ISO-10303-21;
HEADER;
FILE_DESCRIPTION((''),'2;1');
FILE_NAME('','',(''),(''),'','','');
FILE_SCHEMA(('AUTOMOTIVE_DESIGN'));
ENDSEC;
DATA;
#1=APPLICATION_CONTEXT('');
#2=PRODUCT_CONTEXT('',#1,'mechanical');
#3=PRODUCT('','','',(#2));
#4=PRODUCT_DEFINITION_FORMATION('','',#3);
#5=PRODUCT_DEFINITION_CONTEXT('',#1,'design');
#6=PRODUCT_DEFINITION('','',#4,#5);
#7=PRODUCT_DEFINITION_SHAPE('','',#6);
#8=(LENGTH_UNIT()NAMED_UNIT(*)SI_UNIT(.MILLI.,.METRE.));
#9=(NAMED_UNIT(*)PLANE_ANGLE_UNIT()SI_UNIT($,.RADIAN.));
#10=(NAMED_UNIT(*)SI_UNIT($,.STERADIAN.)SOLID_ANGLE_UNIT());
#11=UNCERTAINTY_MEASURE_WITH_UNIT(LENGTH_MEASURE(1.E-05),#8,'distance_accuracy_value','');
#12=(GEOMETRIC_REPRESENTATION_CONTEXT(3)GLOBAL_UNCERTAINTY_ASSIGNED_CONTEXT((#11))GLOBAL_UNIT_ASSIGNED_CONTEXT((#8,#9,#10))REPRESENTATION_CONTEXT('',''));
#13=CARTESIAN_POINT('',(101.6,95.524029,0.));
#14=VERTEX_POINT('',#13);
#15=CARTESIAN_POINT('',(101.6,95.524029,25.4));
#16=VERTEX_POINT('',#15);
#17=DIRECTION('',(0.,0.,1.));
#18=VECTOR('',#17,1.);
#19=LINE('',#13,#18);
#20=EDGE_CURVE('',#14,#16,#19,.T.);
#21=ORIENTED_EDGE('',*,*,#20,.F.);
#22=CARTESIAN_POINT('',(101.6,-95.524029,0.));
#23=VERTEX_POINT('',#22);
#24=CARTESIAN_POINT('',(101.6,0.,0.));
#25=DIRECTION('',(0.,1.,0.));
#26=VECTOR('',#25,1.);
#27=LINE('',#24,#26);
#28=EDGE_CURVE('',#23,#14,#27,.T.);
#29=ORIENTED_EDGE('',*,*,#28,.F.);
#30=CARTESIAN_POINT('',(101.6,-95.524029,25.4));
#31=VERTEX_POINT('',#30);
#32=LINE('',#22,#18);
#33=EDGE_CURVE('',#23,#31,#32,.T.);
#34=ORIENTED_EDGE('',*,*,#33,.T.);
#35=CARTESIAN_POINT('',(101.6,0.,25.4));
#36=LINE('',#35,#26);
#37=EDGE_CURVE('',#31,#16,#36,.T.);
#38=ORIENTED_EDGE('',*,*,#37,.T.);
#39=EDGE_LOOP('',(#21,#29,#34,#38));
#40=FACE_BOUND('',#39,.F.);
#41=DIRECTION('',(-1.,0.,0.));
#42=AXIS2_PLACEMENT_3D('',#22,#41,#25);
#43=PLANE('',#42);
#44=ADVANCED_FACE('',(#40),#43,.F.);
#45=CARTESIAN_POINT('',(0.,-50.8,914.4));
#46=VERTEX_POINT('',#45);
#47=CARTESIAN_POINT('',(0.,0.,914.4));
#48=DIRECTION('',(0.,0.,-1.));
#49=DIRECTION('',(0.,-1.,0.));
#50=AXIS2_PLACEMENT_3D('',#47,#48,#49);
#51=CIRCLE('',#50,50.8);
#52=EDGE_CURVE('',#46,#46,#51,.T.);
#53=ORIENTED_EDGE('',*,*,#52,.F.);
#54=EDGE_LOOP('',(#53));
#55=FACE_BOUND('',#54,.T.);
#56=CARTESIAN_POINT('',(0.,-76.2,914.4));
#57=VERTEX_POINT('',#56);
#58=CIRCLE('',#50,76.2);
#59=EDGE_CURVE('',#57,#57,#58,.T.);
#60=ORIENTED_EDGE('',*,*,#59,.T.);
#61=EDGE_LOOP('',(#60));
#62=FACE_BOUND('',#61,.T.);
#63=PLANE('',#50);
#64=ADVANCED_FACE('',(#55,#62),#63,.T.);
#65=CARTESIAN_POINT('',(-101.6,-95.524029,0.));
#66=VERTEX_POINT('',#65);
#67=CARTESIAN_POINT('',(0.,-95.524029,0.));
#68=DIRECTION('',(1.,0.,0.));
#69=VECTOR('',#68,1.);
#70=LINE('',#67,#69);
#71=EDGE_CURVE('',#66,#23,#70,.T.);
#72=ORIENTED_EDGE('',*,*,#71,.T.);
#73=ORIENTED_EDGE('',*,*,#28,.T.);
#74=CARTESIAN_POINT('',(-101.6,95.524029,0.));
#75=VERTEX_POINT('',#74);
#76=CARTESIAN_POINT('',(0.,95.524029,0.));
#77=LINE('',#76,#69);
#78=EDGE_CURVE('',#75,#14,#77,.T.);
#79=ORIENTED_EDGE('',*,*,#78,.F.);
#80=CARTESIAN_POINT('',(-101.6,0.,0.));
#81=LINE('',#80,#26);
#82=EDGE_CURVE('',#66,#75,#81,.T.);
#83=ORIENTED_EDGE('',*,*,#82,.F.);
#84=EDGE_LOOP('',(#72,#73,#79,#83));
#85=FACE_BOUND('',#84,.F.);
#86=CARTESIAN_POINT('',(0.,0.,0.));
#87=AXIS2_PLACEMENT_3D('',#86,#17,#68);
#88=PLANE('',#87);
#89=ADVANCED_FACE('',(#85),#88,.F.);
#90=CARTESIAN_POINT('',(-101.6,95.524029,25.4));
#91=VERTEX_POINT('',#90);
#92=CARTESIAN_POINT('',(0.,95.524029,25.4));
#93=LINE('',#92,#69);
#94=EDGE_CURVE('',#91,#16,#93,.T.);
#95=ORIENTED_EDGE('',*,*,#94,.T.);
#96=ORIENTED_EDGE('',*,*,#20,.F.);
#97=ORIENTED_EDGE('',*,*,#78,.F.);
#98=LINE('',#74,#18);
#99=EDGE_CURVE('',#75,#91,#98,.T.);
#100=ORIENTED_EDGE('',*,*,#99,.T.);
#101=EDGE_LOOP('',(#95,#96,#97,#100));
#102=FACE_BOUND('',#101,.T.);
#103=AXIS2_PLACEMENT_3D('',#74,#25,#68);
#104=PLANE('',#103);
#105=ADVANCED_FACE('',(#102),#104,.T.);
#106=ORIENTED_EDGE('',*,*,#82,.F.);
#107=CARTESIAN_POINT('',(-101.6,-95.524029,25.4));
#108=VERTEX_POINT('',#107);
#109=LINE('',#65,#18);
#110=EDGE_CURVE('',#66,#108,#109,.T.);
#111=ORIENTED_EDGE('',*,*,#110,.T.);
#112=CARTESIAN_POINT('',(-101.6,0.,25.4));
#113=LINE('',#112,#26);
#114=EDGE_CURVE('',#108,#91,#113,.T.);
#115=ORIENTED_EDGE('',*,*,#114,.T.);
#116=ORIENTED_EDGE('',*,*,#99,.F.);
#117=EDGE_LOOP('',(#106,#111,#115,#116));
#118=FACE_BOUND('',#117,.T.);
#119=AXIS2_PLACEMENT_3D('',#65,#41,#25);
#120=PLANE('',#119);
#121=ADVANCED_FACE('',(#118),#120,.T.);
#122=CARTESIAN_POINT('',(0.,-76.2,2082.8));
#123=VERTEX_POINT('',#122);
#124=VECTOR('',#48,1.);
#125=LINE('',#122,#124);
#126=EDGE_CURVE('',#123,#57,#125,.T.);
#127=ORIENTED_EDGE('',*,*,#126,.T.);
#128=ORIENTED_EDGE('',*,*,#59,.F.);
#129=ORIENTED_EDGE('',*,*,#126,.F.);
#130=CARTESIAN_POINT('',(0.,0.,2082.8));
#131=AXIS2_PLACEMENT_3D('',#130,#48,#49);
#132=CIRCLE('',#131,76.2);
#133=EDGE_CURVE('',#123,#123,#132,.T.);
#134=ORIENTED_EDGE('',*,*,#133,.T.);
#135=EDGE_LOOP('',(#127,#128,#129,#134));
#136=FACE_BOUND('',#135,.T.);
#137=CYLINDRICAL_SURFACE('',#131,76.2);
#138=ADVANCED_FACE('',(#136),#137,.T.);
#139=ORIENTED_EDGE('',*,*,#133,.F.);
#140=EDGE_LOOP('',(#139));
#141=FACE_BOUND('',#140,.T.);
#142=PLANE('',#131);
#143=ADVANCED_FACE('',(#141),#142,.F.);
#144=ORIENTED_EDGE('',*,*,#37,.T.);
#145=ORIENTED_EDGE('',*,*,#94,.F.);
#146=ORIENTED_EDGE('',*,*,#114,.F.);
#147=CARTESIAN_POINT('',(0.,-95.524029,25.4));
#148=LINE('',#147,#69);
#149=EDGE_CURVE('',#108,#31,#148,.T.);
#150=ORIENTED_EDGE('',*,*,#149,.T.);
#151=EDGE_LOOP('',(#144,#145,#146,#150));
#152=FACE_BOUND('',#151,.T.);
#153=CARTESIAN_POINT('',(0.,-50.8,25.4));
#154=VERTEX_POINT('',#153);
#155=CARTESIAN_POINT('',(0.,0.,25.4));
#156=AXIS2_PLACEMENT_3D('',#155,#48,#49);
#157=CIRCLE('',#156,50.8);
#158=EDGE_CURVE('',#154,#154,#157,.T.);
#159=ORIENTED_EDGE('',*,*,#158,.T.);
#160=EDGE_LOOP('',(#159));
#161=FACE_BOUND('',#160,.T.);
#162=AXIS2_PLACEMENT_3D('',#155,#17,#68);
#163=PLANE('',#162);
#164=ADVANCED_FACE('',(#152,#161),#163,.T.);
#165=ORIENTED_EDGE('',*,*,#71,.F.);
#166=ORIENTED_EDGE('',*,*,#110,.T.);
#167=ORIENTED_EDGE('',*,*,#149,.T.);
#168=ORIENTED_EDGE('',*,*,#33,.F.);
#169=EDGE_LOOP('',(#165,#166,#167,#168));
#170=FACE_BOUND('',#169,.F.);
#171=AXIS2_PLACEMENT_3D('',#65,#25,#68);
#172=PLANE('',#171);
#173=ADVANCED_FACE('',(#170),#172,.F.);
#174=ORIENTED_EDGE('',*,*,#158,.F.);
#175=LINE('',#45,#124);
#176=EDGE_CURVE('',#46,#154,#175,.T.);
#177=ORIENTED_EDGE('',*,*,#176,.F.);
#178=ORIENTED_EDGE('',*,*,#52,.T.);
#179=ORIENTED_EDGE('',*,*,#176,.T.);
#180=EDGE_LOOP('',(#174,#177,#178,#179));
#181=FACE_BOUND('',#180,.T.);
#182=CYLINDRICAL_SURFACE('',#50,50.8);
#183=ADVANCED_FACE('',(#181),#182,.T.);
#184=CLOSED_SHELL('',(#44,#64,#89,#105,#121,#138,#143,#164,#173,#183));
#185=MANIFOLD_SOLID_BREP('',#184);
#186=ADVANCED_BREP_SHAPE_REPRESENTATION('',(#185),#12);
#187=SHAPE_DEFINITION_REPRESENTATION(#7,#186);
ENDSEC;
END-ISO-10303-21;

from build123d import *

# Parameters (mm, degrees)
F2_W     = 203.2
F2_H     = 191.048058
F3_DEPTH = 25.4


with BuildPart() as f1:
    # F0 (on Right) → F1 (revolve)
    with BuildSketch(Plane.YZ):
        Polygon((-50.8, 0), (0, 0), (0, 2082.8), (-76.2, 2082.8), (-76.2, 914.4), (-50.8, 914.4), align=None)
    revolve(axis=Axis((0, 0, 1041.4), (0, 0, -1)))

    # F2 (on Top) → F3 (join)
    with BuildSketch(Plane.XY):
        Rectangle(F2_W, F2_H)
    extrude(amount=F3_DEPTH)


solid = f1.part
